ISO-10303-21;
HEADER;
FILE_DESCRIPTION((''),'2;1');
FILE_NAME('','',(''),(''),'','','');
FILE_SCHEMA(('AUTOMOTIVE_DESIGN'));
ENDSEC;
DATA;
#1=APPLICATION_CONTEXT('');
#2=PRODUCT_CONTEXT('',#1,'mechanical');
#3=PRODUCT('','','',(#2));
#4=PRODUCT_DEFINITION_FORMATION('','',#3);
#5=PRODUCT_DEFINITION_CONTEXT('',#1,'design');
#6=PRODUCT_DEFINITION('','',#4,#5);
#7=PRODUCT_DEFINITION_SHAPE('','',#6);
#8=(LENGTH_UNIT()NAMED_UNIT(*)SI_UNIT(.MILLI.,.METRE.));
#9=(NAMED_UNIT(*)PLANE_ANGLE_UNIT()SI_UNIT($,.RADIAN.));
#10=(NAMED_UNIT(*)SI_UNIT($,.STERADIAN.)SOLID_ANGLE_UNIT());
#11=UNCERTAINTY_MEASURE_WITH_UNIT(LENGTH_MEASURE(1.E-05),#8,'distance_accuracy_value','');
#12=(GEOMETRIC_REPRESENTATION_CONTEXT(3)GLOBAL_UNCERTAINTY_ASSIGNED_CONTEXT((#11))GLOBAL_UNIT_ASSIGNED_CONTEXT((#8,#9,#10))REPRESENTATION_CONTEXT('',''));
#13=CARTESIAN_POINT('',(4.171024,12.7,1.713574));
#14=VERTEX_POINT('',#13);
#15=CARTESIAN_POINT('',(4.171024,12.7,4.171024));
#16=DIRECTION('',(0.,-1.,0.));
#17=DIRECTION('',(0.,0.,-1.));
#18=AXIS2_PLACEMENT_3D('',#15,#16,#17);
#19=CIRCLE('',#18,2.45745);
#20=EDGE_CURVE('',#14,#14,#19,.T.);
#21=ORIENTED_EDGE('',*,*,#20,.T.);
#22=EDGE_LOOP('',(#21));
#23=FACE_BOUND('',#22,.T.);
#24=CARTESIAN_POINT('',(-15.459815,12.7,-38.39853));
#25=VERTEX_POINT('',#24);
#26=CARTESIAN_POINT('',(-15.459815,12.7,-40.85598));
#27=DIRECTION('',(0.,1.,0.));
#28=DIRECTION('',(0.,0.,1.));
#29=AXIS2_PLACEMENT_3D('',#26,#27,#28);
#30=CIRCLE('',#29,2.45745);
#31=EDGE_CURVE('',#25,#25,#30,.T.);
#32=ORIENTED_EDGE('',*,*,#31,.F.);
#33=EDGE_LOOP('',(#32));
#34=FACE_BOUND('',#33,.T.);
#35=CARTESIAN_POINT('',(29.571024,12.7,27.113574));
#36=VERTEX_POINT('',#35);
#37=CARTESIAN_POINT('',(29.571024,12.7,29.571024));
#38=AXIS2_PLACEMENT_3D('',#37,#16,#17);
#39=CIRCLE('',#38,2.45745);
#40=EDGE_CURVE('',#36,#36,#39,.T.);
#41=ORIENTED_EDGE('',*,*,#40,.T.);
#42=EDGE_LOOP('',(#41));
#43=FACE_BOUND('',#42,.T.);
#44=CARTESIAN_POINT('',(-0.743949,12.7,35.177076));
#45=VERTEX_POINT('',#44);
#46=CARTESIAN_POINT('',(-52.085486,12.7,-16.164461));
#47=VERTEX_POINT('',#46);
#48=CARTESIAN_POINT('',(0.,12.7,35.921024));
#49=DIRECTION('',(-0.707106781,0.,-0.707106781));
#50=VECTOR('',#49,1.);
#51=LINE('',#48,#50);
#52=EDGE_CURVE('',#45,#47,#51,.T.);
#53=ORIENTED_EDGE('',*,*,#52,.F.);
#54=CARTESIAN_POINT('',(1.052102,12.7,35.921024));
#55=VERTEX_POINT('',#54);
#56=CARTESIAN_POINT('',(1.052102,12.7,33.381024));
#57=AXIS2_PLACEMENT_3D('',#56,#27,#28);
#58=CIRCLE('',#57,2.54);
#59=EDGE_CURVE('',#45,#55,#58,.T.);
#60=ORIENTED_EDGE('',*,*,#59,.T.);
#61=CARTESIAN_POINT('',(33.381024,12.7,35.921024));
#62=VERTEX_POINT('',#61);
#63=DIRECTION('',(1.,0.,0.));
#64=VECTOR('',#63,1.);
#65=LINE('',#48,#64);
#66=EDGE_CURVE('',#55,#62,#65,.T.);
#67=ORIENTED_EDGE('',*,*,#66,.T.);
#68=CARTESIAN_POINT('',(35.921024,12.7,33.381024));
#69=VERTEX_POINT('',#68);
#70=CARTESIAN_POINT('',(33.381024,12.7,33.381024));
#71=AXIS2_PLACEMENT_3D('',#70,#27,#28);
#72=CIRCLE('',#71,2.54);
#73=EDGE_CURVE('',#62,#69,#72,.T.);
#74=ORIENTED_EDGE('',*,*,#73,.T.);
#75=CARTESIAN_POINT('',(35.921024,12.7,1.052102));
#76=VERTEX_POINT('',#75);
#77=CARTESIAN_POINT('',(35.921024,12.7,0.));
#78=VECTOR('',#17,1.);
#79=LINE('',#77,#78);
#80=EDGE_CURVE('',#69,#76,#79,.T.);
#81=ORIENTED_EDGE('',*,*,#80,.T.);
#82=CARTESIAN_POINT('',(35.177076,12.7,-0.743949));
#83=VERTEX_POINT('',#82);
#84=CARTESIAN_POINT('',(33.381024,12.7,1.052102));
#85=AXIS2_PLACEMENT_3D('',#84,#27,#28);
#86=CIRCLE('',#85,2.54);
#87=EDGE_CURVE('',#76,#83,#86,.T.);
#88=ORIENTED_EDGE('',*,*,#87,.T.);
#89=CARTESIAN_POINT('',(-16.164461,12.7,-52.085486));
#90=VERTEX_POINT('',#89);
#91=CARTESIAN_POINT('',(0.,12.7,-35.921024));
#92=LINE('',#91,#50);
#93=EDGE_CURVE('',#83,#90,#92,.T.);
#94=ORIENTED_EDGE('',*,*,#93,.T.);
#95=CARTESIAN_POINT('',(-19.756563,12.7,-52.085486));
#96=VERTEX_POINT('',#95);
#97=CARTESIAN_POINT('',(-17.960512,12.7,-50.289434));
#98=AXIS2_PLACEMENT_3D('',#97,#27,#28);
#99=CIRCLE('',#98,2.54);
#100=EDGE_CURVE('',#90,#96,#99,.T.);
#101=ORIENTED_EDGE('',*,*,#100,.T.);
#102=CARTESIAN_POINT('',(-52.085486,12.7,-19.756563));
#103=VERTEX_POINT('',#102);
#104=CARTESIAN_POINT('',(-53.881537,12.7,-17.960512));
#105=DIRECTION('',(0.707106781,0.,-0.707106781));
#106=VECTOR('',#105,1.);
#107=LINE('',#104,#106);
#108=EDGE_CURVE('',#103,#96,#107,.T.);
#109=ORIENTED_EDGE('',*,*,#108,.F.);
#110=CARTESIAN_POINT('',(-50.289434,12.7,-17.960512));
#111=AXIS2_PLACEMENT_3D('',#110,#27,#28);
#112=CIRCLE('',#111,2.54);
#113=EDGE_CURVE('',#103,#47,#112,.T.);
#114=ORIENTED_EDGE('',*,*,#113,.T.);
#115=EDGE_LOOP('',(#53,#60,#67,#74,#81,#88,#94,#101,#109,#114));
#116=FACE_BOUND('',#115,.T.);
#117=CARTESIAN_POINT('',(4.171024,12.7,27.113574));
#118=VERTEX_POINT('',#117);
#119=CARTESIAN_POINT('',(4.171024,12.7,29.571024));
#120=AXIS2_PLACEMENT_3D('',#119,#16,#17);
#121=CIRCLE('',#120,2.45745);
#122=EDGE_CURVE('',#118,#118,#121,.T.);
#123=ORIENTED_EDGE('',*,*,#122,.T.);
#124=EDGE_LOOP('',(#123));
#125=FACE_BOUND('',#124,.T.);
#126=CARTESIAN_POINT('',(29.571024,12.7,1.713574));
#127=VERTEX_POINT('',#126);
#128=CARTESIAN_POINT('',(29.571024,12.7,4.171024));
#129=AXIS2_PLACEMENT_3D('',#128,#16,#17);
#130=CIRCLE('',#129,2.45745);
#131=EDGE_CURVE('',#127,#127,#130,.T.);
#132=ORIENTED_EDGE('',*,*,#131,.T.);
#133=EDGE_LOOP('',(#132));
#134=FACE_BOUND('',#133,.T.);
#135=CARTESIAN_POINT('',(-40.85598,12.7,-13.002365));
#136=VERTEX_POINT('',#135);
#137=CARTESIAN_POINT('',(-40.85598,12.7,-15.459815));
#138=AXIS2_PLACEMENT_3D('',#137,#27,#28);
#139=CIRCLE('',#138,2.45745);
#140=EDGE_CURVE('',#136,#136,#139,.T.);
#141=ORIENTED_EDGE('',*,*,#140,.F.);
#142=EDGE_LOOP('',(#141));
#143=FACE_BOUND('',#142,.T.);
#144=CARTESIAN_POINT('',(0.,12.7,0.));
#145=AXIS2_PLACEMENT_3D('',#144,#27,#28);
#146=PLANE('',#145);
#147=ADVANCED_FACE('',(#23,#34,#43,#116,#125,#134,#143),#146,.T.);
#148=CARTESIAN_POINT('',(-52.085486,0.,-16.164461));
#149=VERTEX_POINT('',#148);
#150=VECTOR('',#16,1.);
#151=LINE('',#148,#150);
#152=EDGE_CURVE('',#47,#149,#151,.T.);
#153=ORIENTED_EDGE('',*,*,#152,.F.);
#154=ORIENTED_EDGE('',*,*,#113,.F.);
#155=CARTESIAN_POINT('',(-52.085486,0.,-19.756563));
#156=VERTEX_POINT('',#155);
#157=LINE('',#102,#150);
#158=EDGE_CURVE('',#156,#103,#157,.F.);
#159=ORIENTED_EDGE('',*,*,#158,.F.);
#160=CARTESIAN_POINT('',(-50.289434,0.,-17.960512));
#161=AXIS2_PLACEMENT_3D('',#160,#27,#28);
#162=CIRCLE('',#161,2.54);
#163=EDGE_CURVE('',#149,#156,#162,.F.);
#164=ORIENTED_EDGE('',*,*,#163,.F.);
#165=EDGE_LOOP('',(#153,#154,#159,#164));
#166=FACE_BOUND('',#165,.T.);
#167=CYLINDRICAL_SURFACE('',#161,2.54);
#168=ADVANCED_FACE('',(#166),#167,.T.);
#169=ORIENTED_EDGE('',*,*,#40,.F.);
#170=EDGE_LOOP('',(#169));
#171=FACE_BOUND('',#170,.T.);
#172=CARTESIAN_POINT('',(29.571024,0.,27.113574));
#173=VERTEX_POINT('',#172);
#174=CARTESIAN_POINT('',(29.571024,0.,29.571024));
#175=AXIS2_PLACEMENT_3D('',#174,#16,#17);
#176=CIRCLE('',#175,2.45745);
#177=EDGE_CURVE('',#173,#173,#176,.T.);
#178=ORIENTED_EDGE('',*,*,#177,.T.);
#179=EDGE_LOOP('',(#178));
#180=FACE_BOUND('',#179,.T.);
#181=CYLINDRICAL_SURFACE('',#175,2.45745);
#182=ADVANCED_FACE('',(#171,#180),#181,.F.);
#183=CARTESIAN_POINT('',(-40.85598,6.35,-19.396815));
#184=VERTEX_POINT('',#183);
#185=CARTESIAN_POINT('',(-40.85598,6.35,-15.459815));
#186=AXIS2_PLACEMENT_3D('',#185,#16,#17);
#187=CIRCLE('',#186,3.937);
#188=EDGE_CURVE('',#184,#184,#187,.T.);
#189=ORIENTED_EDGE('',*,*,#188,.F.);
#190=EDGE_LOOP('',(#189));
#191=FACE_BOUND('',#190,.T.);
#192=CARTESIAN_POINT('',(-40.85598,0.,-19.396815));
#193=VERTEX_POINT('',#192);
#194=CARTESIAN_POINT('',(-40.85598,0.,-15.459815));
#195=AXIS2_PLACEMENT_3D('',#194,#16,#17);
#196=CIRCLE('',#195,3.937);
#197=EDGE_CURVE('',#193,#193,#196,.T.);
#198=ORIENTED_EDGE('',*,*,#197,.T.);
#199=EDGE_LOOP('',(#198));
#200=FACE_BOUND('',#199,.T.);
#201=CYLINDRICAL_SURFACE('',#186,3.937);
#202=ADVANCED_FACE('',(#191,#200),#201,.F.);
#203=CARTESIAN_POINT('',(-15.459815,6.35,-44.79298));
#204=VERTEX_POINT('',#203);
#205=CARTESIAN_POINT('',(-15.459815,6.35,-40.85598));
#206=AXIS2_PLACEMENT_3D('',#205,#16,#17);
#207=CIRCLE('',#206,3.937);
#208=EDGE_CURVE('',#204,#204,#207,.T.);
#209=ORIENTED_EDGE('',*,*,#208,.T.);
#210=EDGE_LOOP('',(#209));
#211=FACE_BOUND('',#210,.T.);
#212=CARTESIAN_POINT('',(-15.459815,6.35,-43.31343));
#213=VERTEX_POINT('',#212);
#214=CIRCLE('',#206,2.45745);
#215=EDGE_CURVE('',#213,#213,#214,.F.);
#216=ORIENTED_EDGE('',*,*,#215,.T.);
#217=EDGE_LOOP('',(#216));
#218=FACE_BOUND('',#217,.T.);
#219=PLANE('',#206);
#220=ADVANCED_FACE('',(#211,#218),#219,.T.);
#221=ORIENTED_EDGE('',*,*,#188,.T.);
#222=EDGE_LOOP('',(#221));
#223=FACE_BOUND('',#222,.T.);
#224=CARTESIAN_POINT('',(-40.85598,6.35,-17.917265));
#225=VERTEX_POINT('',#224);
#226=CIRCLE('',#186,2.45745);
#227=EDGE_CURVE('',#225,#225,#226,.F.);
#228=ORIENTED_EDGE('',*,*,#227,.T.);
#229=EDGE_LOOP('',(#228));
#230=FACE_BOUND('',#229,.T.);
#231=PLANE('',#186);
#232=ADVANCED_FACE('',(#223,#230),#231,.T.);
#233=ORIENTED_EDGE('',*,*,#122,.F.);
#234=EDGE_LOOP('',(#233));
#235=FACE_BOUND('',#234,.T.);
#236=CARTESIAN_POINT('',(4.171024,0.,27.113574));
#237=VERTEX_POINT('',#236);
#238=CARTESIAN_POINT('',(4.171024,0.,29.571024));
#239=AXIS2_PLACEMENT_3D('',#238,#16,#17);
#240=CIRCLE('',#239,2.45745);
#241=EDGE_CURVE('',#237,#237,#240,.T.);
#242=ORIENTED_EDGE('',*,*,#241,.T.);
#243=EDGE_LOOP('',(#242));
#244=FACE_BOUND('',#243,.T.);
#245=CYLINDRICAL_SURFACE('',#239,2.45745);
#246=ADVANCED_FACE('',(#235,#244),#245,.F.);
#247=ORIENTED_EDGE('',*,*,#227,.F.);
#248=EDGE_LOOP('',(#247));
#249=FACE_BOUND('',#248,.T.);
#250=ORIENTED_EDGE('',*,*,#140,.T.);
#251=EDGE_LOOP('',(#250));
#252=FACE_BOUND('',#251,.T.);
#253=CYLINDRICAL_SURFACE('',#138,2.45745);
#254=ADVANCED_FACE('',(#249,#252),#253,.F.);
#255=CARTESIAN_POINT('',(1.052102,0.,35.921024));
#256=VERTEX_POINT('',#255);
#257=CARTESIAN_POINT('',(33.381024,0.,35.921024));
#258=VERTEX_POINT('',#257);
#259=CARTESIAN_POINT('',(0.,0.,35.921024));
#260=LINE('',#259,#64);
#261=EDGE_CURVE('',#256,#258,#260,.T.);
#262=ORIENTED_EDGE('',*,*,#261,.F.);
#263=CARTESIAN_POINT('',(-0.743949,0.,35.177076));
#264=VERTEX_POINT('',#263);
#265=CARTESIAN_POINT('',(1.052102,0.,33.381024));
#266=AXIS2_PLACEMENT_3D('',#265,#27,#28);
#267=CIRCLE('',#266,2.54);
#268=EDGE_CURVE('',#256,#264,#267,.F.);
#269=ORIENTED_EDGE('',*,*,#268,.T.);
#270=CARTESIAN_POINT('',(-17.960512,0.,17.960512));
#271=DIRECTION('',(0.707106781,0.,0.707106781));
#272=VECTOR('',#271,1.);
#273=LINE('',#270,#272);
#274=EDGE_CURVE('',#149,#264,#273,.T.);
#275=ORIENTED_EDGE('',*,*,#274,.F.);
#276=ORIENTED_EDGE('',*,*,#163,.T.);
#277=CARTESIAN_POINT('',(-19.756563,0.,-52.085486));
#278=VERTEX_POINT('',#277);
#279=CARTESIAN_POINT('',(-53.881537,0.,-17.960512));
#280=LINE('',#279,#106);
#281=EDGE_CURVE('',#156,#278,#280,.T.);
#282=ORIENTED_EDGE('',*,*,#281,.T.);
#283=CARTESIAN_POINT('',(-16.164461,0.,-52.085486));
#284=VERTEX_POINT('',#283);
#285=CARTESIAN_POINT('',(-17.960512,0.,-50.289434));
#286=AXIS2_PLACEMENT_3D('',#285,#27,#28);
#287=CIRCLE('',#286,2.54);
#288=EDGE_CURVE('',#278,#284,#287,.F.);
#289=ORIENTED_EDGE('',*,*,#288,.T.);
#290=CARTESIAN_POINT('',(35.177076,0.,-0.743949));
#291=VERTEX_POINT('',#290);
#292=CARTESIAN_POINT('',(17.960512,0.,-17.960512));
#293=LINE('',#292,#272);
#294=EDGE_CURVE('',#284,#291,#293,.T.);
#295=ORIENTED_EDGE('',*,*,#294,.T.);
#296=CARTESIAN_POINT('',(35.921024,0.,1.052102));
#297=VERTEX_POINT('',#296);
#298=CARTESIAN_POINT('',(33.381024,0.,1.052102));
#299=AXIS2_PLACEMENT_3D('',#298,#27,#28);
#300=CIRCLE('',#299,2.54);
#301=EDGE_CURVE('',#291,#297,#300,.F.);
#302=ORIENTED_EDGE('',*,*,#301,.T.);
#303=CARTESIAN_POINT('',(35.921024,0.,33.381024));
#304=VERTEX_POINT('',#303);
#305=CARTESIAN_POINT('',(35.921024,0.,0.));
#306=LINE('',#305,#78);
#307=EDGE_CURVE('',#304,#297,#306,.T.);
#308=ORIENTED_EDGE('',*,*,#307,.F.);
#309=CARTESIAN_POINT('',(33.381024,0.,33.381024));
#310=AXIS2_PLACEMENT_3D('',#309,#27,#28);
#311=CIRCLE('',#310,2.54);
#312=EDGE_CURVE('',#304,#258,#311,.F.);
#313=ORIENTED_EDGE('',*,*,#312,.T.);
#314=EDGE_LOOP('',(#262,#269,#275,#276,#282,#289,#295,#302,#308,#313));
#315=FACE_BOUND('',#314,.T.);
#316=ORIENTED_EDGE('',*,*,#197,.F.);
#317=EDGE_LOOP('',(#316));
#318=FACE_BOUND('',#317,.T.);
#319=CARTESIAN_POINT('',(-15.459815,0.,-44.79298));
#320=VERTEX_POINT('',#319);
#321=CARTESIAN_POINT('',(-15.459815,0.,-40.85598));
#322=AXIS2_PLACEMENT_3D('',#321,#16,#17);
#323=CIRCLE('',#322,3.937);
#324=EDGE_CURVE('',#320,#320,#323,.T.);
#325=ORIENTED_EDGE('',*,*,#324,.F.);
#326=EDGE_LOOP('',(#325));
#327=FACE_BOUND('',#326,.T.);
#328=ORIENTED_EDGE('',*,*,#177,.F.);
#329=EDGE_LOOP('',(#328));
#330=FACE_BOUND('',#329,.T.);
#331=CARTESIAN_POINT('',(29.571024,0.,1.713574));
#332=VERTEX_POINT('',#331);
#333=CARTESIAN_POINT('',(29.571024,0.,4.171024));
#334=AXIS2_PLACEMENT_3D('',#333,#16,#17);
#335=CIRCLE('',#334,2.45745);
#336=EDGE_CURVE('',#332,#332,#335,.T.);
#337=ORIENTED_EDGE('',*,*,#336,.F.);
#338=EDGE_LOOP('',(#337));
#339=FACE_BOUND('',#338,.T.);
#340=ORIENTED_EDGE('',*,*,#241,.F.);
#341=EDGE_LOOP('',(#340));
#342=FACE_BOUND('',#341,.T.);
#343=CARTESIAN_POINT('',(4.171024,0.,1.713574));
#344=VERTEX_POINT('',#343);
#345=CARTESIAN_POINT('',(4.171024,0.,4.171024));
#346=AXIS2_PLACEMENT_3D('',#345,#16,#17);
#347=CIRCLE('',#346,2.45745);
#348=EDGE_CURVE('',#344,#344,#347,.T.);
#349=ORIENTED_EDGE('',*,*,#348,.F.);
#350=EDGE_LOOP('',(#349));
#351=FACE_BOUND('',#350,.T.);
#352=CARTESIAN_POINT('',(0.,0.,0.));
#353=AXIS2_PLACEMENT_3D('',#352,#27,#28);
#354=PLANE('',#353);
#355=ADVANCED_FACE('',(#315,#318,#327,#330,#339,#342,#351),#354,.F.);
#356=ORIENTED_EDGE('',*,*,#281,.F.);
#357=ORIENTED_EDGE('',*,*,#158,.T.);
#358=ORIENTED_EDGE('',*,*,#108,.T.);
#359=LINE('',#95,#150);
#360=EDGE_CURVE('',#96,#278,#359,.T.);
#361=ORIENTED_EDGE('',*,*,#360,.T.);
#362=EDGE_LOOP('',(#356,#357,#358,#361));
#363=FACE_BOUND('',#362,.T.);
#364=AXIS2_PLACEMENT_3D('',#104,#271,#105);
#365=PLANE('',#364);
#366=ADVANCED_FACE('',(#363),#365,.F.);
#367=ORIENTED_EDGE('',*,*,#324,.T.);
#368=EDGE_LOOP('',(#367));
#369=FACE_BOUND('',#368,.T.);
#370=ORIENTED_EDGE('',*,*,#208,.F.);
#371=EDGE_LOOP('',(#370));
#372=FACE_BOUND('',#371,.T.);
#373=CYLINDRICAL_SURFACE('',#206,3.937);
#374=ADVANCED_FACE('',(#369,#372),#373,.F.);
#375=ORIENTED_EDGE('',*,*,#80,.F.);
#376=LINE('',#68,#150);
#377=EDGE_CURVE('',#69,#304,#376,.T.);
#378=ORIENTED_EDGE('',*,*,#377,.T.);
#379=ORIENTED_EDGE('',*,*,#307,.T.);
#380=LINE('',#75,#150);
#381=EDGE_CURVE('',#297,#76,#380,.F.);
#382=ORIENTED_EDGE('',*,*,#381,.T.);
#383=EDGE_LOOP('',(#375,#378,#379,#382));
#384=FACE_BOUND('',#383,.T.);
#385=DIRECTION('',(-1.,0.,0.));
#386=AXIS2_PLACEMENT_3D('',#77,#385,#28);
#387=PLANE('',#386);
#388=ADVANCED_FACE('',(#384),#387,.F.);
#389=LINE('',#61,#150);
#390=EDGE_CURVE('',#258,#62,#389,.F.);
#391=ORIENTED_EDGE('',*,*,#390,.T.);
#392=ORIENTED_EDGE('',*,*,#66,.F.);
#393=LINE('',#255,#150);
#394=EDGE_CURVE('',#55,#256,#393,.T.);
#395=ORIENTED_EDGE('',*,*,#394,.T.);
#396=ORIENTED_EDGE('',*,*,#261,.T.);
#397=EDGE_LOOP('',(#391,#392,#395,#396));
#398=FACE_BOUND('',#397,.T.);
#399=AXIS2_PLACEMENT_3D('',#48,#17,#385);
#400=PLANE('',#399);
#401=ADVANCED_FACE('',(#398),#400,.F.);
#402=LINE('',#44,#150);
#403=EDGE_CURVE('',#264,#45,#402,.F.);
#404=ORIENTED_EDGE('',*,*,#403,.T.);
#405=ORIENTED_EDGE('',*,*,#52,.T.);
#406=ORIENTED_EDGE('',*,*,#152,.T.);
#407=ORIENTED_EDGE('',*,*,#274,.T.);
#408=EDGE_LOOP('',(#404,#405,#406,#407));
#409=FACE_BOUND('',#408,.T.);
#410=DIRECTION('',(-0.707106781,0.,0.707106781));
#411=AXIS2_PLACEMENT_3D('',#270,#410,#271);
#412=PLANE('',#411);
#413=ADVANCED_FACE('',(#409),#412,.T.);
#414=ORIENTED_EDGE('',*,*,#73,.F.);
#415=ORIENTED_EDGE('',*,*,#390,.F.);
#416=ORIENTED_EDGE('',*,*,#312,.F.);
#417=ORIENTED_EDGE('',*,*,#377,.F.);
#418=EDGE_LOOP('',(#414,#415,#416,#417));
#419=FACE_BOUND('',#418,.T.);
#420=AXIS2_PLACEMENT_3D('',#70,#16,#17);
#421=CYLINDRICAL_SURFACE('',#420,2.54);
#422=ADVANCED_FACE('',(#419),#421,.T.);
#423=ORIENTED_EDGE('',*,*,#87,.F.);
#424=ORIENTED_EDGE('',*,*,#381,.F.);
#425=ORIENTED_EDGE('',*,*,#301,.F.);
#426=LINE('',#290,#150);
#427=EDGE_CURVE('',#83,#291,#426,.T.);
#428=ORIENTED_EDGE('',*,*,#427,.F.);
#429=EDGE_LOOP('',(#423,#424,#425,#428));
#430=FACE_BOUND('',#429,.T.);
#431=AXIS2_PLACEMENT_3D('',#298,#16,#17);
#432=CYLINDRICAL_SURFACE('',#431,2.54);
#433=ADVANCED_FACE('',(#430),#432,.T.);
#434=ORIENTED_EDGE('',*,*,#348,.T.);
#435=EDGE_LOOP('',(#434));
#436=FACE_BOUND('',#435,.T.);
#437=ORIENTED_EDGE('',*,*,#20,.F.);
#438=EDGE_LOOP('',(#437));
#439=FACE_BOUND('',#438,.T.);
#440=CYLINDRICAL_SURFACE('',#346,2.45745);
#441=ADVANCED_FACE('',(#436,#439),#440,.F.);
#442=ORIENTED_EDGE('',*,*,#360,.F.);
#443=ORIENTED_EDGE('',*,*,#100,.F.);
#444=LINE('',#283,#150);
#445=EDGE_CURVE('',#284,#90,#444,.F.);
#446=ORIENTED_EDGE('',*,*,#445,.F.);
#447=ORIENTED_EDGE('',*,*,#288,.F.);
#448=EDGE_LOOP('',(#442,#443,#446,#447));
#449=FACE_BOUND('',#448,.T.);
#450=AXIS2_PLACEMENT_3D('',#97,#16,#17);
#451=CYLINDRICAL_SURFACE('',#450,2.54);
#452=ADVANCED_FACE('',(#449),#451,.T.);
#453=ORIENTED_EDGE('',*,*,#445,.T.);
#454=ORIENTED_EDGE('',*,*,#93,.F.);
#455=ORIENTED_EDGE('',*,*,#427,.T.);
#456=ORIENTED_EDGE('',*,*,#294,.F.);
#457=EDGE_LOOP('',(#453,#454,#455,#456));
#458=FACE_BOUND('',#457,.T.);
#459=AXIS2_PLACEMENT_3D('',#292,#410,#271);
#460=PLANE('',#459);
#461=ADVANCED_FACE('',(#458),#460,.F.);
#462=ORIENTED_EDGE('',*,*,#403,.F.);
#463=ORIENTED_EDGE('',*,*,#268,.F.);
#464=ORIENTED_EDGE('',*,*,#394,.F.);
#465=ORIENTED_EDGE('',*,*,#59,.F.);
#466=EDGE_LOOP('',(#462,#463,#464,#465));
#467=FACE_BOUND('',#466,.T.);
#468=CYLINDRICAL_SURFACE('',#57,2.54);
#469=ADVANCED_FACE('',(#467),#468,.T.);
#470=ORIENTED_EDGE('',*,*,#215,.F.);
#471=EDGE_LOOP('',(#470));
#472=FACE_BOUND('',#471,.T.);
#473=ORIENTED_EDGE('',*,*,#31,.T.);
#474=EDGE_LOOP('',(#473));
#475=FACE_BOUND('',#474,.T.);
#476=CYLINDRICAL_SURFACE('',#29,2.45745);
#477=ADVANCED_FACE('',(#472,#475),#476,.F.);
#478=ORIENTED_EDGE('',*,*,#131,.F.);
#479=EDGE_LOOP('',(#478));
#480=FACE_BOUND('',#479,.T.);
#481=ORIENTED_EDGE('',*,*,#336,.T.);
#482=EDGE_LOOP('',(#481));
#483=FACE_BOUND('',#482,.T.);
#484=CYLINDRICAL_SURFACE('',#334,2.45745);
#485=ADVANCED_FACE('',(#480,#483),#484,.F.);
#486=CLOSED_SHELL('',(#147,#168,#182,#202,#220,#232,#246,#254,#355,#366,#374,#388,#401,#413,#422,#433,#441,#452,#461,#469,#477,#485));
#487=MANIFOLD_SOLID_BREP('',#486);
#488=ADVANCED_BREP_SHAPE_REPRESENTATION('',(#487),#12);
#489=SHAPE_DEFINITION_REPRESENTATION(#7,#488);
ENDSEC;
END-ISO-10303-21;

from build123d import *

# Parameters (mm, degrees)
SKETCH3_W             = 35.921024484
SKETCH3_H             = 35.921024484
BOSS_EXTRUDE2_DEPTH   = 12.7
BOSS_EXTRUDE3_DEPTH   = 25.4
F_8_CLEARANCE_HOLE1_D = 4.9149
F_8_CLEARANCE_HOLE2_D = 4.9149
SKETCH10_R            = 3.937
CUT_EXTRUDE1_DEPTH    = 6.35
FILLET1_R             = 2.54


with BuildPart() as part:
    # Sketch3 → Boss-Extrude2 (new body)
    with BuildSketch(Plane(origin=(0, 0, 0), x_dir=(1, 0, 0), z_dir=(0, 1, 0))):
        with Locations((17.960512242, -17.960512242)):
            Rectangle(SKETCH3_W, SKETCH3_H)
    extrude(amount=BOSS_EXTRUDE2_DEPTH)

    # Sketch4 → Boss-Extrude3 (add, symmetric)
    with BuildSketch(Plane(origin=(0, 0, 0), x_dir=(0.7071067811865476, 0, 0.7071067811865475), z_dir=(-0.7071067811865475, 0, 0.7071067811865476))):
        Polygon((25.4, 12.7), (-25.4, 12.7), (-50.8, 12.7), (-50.8, 0), (0, 0), (25.4, 0), align=None)
    extrude(amount=BOSS_EXTRUDE3_DEPTH, both=True)

    # #8 Clearance Hole1 (through all)
    with Locations(Plane(origin=(0, 0, 0), x_dir=(-1, 0, 0), z_dir=(0, -1, 0))):
        with Locations((-29.571024484, -29.571024484), (-4.171024484, -4.171024484), (-29.571024484, -4.171024484), (-4.171024484, -29.571024484)):
            Hole(F_8_CLEARANCE_HOLE1_D / 2)

    # #8 Clearance Hole2 (through all)
    with Locations(Plane(origin=(0, 12.7, 0), x_dir=(1, 0, 0), z_dir=(0, 1, 0))):
        with Locations((-40.855979707, 15.459815396), (-15.459815396, 40.855979707)):
            Hole(F_8_CLEARANCE_HOLE2_D / 2)

    # Sketch10 → Cut-Extrude1 (cut)
    with BuildSketch(Plane.XZ):
        with Locations(Location((-40.855979707, -15.459815396, 0), (0, 0, 270))):
            Circle(SKETCH10_R)
        with Locations(Location((-15.459815396, -40.855979707, 0), (0, 0, 270))):
            Circle(SKETCH10_R)
    extrude(amount=-CUT_EXTRUDE1_DEPTH, mode=Mode.SUBTRACT)

    # Fillet1
    fillet1_edges = [part.edges().sort_by_distance(p)[0] for p in [
        (-17.960512242, 6.35, -53.881536726),
        (-53.881536726, 6.35, -17.960512242),
        (35.921024484, 6.35, 0),
        (35.921024484, 6.35, 35.921024484),
        (0, 6.35, 35.921024484),
    ]]
    fillet(fillet1_edges, radius=FILLET1_R)


solid = part.part
